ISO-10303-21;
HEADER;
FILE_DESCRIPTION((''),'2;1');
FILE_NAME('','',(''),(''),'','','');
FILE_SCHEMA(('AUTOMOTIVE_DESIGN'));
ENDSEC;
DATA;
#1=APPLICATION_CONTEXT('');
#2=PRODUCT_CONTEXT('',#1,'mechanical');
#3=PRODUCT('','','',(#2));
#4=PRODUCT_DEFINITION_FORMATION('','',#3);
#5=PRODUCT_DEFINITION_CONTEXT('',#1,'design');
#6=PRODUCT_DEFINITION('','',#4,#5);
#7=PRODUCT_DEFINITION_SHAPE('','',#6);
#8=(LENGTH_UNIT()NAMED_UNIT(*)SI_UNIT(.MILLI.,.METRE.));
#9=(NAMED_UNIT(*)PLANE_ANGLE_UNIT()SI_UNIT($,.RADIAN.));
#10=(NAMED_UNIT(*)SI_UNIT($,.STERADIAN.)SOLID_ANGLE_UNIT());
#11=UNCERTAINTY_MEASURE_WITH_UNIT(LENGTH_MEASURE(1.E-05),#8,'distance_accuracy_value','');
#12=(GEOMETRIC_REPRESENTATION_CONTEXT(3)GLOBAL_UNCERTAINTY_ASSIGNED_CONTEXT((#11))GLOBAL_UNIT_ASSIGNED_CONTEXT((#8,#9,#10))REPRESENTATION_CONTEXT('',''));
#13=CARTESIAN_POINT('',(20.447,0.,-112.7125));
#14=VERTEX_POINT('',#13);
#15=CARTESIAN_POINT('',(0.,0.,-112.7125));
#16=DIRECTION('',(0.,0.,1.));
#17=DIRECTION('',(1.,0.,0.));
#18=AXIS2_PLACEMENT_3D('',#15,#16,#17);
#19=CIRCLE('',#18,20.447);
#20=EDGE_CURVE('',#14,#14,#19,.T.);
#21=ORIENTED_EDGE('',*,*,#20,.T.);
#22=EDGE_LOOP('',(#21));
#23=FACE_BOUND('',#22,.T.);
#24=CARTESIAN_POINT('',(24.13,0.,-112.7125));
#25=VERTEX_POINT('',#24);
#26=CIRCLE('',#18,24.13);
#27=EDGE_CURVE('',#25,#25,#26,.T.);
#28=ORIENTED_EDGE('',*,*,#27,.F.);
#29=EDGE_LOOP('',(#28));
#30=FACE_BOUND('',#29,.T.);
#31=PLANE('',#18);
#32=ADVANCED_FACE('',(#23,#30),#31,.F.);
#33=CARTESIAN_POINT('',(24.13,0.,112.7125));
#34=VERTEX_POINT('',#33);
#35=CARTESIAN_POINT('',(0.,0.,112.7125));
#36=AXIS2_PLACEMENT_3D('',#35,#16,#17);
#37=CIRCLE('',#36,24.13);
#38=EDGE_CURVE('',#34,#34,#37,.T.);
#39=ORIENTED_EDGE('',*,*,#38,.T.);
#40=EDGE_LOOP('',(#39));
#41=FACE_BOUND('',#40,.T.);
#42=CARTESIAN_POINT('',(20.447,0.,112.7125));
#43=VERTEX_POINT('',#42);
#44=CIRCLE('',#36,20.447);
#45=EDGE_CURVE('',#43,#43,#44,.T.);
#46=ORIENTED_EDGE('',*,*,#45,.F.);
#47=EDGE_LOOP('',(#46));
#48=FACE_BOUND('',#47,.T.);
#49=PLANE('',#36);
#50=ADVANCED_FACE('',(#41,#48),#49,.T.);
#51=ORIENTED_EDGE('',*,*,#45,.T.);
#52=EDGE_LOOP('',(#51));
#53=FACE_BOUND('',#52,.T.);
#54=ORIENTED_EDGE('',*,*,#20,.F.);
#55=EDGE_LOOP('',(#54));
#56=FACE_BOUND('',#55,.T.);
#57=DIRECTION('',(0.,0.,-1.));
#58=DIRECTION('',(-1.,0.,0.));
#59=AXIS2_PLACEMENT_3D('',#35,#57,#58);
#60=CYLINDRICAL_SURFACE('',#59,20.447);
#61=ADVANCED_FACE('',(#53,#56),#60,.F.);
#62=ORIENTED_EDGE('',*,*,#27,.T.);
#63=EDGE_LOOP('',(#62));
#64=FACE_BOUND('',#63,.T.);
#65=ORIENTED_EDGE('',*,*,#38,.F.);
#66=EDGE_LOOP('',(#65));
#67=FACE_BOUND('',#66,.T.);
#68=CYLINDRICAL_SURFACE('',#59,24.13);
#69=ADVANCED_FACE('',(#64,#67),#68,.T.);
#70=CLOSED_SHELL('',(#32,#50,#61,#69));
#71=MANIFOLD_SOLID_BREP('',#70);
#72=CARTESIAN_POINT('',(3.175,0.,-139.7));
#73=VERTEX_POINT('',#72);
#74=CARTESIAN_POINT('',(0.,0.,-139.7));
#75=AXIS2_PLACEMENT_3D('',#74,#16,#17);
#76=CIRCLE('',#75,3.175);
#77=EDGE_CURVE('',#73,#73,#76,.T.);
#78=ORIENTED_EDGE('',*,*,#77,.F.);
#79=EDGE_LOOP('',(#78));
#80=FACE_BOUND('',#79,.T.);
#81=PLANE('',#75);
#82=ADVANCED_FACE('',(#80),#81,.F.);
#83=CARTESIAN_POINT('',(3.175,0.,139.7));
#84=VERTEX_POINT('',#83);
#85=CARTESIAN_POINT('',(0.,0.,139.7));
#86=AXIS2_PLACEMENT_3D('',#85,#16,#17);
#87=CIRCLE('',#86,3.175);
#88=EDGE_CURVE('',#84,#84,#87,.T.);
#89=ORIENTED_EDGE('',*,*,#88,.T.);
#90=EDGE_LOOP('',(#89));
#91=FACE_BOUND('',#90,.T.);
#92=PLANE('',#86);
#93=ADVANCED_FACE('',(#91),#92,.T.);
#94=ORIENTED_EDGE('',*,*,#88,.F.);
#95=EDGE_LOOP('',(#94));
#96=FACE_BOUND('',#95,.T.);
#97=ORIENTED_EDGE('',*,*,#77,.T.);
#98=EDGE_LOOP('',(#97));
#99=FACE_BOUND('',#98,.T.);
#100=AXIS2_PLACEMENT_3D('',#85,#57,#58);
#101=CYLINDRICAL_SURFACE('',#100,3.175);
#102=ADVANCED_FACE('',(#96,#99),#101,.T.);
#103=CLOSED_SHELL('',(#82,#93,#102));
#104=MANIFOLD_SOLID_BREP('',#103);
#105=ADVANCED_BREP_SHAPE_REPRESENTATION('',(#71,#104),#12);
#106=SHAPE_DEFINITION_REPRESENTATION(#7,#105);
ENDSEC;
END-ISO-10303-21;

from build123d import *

# Parameters (mm, degrees)
SKETCH1_R           = 3.175
BOSS_EXTRUDE1_DEPTH = 139.7
SKETCH2_R           = 24.13
SKETCH2_R_2         = 20.447
BOSS_EXTRUDE2_DEPTH = 112.7125


with BuildPart() as part:
    # Sketch1 → Boss-Extrude1 (new body, symmetric)
    with BuildSketch(Plane.XY):
        Circle(SKETCH1_R)
    extrude(amount=BOSS_EXTRUDE1_DEPTH, both=True)


with BuildPart() as body_2:
    # Sketch2 → Boss-Extrude2 (new body, symmetric)
    with BuildSketch(Plane.XY):
        Circle(SKETCH2_R)
        Circle(SKETCH2_R_2, mode=Mode.SUBTRACT)
    extrude(amount=BOSS_EXTRUDE2_DEPTH, both=True)


solid = Compound([part.part, body_2.part])
